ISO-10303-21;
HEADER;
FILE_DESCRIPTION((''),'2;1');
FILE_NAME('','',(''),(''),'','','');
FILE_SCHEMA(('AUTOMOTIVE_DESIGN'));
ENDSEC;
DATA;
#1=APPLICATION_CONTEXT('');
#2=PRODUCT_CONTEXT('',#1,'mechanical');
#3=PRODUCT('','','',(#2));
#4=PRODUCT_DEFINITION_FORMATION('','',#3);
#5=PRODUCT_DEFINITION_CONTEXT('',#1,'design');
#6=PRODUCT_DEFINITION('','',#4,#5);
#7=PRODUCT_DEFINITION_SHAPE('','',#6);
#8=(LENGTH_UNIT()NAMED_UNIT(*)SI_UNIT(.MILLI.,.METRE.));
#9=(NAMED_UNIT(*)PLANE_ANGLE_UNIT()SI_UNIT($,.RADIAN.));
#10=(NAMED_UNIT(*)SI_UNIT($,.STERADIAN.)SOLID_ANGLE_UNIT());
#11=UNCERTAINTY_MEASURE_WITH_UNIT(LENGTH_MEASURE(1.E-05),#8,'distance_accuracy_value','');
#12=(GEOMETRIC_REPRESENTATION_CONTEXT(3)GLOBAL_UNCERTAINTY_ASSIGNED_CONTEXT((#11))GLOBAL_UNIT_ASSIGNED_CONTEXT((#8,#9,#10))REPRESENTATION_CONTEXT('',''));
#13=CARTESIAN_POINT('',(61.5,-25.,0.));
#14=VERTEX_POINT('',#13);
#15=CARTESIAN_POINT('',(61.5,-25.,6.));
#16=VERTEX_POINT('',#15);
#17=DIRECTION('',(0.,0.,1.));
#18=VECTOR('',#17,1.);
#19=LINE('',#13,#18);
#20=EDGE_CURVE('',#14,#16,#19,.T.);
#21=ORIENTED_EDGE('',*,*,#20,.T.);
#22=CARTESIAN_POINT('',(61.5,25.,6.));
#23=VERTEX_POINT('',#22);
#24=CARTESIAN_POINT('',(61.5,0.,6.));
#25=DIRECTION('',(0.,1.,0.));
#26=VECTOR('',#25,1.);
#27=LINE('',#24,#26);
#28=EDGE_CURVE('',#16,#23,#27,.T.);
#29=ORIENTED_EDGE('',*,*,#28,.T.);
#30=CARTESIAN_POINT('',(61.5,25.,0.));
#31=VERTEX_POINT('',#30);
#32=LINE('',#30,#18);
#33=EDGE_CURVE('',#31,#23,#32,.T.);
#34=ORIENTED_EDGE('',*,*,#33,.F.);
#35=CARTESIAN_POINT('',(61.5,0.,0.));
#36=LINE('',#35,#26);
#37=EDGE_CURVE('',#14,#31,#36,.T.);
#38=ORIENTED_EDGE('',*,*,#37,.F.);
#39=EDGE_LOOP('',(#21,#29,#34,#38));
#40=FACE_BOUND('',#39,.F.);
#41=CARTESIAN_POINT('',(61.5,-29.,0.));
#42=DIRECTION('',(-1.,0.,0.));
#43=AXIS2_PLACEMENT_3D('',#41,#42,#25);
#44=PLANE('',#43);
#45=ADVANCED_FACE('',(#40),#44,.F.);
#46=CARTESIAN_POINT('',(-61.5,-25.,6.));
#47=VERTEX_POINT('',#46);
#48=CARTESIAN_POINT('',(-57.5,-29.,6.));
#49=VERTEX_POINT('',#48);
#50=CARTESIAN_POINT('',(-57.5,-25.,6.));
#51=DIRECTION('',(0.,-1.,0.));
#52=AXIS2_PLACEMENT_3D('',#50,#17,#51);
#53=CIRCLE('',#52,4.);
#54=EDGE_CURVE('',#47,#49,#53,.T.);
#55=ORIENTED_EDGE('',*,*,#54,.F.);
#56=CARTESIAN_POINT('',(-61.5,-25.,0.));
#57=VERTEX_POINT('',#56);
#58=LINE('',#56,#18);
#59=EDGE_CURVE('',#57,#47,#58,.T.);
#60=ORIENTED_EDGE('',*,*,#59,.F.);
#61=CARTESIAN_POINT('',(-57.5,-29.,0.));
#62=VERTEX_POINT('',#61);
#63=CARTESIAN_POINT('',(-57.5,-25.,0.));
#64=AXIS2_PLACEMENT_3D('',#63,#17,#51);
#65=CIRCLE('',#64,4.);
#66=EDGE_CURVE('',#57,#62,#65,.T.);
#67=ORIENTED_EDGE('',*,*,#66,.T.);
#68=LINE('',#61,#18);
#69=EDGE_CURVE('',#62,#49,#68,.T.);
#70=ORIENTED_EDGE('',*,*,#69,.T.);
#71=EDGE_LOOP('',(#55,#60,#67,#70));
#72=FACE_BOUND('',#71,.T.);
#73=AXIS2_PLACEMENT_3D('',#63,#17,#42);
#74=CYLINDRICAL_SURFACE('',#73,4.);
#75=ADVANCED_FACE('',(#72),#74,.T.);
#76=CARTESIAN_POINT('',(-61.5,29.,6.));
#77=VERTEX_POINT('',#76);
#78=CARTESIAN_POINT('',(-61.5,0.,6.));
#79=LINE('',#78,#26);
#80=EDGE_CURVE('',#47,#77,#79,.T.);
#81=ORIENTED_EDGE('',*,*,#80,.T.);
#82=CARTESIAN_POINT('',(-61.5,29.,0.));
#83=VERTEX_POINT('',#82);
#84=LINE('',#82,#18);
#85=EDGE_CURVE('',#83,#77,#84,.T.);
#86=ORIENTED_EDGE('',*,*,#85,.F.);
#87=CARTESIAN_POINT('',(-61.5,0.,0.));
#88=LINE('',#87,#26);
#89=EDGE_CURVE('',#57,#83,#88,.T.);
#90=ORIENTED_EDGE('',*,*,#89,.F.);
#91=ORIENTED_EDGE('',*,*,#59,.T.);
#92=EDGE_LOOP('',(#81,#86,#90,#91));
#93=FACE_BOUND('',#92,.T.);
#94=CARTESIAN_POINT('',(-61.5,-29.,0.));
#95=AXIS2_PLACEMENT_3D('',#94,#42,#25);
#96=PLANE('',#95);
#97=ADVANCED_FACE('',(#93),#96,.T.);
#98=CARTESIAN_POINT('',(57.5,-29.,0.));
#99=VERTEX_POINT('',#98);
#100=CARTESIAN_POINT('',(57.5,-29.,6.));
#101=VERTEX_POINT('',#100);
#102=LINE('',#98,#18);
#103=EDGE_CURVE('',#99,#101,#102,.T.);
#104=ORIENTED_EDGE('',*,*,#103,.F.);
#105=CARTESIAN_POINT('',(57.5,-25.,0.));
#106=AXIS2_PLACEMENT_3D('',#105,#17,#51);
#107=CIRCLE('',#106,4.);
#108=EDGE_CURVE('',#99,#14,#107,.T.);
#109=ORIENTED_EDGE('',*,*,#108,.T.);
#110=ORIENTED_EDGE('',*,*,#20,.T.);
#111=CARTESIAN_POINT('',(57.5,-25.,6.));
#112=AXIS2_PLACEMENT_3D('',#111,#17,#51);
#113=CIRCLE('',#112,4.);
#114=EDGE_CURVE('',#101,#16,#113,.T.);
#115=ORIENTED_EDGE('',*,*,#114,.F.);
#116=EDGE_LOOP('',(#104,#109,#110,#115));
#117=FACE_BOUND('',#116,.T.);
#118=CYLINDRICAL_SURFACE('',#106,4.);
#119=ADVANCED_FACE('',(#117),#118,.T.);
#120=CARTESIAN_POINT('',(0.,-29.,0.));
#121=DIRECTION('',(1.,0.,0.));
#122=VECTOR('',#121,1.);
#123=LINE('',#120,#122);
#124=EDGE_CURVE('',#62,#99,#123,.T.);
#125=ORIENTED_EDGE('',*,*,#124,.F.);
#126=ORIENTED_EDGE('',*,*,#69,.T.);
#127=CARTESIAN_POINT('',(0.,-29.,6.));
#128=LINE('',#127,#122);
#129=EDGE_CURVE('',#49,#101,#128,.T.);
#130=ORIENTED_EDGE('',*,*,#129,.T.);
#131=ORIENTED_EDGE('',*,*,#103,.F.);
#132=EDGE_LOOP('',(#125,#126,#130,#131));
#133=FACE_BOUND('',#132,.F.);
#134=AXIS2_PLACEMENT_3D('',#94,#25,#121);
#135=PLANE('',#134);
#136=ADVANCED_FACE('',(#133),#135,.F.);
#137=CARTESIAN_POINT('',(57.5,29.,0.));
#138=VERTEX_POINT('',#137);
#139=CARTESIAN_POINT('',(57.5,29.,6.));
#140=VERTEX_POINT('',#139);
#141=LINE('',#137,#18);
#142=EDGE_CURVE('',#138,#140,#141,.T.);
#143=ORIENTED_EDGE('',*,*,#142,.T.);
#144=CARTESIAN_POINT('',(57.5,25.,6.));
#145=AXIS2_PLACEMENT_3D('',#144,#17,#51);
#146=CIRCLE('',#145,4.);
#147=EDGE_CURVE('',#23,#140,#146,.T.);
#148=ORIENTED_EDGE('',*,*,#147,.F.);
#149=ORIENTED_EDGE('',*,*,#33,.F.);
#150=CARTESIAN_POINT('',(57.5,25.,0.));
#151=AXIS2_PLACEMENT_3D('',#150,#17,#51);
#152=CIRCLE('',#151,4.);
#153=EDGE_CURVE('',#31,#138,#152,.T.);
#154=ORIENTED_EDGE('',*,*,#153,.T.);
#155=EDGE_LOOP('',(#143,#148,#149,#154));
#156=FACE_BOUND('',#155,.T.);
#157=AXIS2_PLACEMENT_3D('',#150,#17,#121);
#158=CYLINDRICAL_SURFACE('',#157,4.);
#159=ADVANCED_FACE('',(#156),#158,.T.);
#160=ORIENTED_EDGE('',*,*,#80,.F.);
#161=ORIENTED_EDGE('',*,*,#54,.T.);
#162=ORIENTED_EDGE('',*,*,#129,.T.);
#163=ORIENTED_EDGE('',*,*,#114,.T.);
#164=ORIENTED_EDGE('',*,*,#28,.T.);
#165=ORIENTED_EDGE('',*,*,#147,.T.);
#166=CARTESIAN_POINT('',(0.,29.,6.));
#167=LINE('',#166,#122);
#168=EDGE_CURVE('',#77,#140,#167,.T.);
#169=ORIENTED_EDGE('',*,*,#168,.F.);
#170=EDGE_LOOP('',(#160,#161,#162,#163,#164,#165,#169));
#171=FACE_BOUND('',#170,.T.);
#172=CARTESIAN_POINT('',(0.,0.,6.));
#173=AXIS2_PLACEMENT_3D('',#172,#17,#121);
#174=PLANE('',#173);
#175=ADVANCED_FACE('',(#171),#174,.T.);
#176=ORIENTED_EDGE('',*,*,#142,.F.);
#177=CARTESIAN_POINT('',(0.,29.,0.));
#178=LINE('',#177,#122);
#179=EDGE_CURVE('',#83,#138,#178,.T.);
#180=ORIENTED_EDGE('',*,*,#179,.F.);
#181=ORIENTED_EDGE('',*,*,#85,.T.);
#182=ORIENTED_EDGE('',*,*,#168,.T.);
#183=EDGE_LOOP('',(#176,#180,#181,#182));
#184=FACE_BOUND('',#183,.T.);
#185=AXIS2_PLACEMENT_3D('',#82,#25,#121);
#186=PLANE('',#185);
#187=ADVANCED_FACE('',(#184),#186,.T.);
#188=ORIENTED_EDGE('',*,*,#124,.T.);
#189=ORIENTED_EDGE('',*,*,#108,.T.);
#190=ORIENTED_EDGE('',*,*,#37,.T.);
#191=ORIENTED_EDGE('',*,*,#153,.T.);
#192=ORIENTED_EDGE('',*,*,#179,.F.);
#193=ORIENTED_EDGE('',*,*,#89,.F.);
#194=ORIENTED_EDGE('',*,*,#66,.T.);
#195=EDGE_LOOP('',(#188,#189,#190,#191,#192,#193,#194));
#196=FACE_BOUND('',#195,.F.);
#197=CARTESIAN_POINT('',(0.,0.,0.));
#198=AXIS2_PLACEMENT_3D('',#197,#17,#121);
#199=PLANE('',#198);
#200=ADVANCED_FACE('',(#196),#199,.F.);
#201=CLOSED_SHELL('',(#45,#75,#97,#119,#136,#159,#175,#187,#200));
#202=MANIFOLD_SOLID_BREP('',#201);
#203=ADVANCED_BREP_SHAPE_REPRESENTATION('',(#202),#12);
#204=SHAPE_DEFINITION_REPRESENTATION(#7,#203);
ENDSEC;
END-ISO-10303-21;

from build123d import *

# Parameters (mm, degrees)
F0_W     = 123
F0_H     = 58
F1_DEPTH = 6
F2_R     = 4


with BuildPart() as f1:
    # F0 (on Top) → F1 (new body)
    with BuildSketch(Plane.XY):
        Rectangle(F0_W, F0_H)
    extrude(amount=F1_DEPTH)

    # F2
    f2_edges = [f1.edges().sort_by_distance(p)[0] for p in [
        (61.5, -29, 3),
        (-61.5, -29, 3),
        (61.5, 29, 3),
    ]]
    fillet(f2_edges, radius=F2_R)


solid = f1.part
